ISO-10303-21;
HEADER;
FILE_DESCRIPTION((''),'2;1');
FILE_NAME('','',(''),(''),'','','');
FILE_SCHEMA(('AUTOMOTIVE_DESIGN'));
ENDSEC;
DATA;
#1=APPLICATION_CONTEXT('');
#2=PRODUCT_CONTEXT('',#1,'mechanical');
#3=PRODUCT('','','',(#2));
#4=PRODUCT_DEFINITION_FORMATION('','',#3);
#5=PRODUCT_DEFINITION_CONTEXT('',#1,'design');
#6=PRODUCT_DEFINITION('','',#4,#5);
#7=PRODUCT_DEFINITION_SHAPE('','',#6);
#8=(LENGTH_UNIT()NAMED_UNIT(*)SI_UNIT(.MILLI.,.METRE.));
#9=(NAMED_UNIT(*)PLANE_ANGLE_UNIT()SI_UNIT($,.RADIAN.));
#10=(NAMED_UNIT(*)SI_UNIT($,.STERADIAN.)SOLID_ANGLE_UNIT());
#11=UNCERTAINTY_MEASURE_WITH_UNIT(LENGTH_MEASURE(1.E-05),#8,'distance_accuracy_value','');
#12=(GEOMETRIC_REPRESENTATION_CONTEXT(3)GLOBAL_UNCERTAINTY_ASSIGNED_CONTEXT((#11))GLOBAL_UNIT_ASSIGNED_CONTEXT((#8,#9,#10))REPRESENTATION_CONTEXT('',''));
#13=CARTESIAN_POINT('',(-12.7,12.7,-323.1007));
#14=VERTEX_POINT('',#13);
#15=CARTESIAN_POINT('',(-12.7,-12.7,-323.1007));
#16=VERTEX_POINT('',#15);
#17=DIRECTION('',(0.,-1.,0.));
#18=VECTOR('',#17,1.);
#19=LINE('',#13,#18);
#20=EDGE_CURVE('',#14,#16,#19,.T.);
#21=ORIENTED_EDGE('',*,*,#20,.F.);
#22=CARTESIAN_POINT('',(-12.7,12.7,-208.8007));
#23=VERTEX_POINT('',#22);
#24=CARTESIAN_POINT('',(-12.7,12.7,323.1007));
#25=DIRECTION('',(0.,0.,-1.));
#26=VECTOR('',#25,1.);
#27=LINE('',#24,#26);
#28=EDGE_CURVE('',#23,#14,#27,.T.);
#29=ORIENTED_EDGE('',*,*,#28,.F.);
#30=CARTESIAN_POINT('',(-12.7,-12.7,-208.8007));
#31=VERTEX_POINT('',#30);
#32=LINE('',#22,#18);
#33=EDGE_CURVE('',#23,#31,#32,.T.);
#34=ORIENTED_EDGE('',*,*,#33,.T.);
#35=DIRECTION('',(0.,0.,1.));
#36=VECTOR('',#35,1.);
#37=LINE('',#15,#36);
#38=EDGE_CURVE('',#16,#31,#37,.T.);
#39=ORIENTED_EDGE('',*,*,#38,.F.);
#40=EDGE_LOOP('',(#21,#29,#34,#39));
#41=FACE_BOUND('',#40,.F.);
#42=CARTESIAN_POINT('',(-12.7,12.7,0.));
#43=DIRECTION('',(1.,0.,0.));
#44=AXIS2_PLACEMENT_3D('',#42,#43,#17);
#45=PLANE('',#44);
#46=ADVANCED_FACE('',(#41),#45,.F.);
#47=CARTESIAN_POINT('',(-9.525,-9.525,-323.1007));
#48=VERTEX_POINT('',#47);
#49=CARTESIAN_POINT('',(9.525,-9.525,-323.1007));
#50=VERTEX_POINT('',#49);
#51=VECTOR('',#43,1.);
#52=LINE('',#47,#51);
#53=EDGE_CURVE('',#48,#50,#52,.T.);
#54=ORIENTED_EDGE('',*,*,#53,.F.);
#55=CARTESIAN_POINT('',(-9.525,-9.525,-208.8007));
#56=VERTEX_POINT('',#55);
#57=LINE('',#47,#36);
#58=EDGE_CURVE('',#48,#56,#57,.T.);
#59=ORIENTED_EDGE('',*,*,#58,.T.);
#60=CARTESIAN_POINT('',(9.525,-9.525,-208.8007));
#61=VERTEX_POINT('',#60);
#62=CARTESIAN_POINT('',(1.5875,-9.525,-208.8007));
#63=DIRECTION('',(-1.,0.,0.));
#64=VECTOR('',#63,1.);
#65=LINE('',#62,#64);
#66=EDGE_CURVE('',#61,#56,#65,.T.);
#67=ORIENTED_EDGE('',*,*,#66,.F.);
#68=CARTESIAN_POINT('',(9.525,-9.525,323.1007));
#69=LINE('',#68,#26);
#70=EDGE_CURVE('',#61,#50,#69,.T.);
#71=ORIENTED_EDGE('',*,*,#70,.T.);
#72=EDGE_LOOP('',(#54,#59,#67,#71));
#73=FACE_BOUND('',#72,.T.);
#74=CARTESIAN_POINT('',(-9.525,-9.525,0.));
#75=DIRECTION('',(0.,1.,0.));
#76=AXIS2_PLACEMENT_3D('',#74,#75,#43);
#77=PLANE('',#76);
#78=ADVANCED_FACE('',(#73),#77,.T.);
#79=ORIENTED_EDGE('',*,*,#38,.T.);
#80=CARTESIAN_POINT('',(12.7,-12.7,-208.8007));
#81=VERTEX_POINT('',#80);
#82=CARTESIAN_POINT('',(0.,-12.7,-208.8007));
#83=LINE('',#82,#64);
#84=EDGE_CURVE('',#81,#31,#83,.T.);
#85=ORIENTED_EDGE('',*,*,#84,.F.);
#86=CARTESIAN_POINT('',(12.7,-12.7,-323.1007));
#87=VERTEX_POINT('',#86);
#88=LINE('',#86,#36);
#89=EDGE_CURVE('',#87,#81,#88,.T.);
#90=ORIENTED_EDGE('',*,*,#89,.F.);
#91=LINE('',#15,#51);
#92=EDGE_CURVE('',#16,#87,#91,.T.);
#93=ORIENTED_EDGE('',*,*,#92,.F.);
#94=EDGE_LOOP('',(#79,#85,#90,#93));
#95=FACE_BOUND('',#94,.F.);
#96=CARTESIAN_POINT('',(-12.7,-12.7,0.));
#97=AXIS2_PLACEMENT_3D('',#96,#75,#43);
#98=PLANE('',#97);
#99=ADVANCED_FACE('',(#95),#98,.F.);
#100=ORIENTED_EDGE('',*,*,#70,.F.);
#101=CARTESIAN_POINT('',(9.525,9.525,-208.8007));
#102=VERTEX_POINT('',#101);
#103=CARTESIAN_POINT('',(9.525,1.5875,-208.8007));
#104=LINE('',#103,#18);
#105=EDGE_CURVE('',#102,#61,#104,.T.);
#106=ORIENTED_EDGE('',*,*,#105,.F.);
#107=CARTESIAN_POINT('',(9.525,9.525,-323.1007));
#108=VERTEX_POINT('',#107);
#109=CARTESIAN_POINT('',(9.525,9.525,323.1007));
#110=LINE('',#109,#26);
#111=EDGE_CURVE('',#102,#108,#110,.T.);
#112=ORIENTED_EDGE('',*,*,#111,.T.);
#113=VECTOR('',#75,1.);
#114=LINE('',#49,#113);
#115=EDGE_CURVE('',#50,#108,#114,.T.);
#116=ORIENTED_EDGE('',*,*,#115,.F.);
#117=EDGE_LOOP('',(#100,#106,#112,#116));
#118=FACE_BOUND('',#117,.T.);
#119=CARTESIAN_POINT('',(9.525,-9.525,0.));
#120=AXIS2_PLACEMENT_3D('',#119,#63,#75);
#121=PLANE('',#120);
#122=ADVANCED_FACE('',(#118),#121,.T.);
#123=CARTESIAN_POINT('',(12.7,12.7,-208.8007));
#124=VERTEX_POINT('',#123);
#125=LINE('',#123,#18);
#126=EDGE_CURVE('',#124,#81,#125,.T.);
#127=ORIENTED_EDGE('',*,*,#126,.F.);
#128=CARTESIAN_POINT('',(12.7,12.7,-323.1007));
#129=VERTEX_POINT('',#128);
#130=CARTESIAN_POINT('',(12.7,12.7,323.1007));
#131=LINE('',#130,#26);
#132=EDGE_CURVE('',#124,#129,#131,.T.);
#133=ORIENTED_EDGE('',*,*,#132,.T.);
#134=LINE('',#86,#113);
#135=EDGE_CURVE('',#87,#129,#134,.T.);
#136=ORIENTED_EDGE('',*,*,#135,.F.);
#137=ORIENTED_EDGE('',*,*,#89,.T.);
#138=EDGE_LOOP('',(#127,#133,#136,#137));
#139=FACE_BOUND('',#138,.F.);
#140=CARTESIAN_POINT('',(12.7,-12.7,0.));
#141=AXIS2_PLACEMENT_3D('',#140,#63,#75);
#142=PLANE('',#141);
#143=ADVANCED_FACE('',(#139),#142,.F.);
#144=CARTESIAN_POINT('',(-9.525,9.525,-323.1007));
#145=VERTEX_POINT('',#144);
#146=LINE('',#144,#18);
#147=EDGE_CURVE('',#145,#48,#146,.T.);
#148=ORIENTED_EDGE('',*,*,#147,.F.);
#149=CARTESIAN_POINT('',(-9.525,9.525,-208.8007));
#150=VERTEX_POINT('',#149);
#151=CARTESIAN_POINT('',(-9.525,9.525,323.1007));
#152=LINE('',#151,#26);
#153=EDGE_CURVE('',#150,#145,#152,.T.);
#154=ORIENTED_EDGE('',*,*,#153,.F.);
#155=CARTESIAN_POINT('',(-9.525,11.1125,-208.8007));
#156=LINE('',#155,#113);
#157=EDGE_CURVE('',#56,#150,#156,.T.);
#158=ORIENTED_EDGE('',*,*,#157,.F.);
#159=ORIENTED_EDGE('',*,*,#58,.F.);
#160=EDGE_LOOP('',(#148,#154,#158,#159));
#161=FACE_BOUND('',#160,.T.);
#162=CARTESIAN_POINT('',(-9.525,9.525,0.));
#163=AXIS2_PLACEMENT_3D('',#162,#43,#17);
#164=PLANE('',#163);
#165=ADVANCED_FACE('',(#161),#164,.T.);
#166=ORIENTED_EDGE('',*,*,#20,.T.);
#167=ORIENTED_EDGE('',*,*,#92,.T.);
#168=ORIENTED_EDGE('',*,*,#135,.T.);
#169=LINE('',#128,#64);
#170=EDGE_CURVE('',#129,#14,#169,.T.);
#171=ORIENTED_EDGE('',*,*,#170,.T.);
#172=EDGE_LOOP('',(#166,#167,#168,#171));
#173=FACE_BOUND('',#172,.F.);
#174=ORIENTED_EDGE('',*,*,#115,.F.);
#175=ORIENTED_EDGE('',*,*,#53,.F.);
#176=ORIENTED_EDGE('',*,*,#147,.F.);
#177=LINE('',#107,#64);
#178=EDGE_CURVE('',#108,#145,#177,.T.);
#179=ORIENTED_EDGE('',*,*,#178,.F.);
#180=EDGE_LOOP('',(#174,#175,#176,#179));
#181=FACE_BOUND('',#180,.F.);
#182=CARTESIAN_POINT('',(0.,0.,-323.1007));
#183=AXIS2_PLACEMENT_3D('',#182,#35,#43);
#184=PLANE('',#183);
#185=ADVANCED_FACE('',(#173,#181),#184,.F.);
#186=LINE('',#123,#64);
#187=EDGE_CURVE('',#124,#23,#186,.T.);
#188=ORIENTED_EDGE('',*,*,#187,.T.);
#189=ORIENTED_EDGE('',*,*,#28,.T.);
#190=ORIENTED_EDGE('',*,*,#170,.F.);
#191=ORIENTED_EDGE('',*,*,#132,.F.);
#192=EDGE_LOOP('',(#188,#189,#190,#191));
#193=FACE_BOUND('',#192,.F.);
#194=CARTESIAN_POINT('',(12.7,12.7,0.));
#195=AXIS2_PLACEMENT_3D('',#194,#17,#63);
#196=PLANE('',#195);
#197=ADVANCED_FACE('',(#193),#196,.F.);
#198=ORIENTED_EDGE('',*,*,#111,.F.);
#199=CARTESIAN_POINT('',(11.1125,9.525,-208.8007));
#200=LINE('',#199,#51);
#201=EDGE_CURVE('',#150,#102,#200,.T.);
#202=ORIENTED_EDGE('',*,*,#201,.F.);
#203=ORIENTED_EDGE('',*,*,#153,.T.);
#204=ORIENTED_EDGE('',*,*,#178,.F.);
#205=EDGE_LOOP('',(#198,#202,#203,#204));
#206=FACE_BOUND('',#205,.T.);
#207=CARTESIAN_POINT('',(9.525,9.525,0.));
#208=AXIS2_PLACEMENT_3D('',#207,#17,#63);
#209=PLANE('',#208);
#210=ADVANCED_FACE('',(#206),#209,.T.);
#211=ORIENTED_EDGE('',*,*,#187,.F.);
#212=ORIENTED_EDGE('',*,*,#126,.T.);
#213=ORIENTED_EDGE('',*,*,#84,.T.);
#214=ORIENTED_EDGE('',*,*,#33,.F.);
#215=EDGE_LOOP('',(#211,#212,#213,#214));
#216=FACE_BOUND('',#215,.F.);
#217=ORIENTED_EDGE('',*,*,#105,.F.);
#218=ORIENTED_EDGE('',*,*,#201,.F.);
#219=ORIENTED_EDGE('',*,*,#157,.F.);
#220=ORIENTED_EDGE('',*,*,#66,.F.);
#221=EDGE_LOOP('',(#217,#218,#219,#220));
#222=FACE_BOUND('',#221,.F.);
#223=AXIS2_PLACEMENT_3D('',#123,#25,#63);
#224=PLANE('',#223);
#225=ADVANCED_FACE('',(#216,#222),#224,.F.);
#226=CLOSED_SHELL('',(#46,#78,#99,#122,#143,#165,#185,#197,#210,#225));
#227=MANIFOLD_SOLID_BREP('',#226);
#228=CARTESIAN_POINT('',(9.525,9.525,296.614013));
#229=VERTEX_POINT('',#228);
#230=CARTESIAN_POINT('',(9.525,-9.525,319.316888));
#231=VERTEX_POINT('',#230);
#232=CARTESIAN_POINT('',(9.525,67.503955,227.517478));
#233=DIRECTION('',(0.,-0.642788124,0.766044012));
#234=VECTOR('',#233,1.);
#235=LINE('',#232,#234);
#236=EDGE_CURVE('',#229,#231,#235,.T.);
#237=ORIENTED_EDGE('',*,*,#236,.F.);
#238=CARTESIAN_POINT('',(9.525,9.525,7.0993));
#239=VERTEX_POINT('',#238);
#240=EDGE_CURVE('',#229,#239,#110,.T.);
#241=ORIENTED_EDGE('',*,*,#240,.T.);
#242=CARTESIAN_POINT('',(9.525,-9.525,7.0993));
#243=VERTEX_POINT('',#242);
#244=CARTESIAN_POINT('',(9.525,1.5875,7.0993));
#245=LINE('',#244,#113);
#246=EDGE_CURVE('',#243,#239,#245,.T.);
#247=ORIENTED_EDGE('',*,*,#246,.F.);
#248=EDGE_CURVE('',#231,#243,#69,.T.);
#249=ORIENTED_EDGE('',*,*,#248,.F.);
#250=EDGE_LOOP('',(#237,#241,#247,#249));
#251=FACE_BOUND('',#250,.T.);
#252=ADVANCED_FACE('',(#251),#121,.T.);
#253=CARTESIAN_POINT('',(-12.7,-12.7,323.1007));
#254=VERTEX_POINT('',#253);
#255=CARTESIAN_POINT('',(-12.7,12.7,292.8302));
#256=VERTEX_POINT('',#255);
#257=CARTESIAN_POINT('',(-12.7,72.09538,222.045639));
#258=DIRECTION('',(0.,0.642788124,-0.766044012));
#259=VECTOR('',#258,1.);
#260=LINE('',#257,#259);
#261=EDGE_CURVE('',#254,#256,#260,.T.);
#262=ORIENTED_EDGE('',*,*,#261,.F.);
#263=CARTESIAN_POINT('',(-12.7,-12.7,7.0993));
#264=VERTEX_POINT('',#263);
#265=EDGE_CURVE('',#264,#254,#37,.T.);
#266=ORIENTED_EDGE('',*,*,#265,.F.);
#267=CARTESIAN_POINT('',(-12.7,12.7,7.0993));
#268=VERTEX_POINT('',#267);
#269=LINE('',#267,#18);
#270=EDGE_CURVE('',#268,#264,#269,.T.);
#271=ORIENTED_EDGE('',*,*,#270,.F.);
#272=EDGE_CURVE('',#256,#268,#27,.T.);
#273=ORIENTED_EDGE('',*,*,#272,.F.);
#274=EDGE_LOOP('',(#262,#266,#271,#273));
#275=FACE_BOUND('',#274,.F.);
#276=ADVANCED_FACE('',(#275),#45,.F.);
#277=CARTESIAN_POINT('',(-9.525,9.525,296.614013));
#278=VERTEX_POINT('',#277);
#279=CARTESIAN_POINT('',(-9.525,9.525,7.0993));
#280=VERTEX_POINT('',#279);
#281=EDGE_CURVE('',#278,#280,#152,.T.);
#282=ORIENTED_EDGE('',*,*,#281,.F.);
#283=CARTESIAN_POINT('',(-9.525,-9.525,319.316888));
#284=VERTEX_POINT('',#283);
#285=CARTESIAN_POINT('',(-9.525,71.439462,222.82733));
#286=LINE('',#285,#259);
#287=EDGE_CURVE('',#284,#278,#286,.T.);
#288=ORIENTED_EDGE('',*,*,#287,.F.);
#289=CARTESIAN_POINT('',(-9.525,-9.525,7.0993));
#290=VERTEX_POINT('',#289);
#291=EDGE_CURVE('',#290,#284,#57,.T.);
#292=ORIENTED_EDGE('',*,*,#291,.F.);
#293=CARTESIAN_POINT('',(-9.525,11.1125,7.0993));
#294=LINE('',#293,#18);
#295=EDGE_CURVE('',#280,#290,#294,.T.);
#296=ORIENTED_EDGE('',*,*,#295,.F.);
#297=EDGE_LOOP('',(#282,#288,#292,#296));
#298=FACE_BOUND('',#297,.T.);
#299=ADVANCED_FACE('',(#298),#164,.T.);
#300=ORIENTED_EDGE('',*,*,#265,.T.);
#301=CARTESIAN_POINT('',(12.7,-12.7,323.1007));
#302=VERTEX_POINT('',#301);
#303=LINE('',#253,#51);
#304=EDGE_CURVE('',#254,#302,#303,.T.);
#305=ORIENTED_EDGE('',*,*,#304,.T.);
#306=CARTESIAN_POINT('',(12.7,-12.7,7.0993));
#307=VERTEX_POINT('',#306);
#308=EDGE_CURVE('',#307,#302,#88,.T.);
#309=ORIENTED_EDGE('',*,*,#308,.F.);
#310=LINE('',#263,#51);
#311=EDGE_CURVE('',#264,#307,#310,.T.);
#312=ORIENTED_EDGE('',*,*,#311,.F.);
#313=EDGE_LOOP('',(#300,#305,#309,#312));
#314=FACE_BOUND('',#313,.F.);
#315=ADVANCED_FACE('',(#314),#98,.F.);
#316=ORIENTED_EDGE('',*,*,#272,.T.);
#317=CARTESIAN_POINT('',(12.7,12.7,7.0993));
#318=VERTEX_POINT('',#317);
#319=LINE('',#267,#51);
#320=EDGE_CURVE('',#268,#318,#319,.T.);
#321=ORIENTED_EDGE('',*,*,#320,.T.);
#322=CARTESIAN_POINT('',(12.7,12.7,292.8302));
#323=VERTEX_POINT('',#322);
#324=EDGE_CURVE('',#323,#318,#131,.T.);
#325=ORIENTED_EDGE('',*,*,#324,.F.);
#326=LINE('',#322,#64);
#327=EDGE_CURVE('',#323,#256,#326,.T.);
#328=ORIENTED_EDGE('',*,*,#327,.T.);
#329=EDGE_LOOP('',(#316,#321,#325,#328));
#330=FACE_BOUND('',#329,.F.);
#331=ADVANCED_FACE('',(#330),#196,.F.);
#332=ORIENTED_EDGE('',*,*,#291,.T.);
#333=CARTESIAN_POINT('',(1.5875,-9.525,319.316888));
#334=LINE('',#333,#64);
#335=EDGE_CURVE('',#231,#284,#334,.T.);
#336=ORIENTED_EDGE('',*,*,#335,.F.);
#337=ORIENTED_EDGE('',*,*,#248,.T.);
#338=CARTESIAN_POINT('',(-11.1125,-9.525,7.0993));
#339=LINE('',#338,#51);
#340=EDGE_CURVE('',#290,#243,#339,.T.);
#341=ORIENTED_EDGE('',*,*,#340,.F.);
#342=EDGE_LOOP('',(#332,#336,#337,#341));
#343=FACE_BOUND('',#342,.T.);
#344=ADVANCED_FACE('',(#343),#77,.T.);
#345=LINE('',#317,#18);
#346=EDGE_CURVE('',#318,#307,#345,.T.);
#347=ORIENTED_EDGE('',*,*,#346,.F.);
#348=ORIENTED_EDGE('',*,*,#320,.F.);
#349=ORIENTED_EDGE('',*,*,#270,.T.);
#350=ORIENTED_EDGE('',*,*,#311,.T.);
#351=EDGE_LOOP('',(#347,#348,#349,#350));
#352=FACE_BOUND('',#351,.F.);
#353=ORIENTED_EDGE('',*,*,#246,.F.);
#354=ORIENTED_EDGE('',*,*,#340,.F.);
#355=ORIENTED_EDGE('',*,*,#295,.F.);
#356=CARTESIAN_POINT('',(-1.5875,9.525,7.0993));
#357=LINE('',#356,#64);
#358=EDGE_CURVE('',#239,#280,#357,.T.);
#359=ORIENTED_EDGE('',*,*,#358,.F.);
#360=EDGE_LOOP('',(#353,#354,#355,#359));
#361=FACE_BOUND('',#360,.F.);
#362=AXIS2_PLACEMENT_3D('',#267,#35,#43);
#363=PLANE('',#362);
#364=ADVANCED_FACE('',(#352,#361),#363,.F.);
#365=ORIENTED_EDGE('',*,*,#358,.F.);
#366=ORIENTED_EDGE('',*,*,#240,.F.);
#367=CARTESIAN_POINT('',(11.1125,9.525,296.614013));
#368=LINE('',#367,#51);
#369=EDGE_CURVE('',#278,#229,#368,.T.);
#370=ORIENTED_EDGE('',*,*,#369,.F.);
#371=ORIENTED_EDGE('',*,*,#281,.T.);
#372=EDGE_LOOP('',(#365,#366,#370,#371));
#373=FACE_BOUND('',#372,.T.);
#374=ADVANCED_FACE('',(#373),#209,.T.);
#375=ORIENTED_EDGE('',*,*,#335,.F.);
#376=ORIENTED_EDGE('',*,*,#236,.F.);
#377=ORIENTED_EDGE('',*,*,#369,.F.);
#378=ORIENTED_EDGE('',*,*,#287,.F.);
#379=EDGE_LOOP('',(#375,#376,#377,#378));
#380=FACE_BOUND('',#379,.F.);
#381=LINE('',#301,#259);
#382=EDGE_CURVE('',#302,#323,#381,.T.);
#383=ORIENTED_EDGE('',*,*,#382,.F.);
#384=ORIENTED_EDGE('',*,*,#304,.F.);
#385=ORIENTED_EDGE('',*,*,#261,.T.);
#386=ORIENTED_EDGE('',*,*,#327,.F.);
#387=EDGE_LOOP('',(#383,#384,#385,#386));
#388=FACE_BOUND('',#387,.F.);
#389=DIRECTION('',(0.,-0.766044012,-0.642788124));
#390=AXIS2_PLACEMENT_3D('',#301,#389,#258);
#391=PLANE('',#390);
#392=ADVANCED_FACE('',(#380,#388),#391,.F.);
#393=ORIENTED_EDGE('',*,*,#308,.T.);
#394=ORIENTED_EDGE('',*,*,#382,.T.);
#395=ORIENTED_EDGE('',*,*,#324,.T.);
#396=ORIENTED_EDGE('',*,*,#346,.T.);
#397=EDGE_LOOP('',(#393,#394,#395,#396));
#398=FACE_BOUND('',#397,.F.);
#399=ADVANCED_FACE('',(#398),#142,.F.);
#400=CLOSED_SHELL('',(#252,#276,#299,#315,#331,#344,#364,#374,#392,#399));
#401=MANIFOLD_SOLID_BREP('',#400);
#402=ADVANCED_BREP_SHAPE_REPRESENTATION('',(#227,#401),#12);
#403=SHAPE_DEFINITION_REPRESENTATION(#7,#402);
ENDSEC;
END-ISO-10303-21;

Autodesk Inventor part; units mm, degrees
ref_plane "YZ Plane" through (0, 0, 0) normal (1, 0, 0) x (0, 1, 0)
ref_plane "XZ Plane" through (0, 0, 0) normal (0, 1, 0) x (-1, 0, 0)
ref_plane "XY Plane" through (0, 0, 0) normal (0, 0, 1) x (1, 0, 0)
sketch "Sketch1" plane through (0, 0, 0) normal (0, 0, 1) x (1, 0, 0)
  line L0 (-12.7, -12.7) -> (12.7, -12.7)
  line L1 (12.7, -12.7) -> (12.7, 12.7)
  line L2 (12.7, 12.7) -> (-12.7, 12.7)
  line L3 (-12.7, 12.7) -> (-12.7, -12.7)
  line L4 (-12.7, -12.7) -> (12.7, 12.7) construction
  line L5 (12.7, -12.7) -> (-12.7, 12.7) construction
  line L6 (-9.525, -9.525) -> (9.525, -9.525)
  line L7 (9.525, -9.525) -> (9.525, 9.525)
  line L8 (9.525, 9.525) -> (-9.525, 9.525)
  line L9 (-9.525, 9.525) -> (-9.525, -9.525)
  line L10 (-9.525, -9.525) -> (9.525, 9.525) construction
  line L11 (9.525, -9.525) -> (-9.525, 9.525) construction
  point P0 (0, 0)
  dimension "d0" = 25.4
  dimension "d1" = 25.4
  dimension "d2" = 3.175
extrude "Extrusion1" add sketch "Sketch1" along normal mid plane 646.2014
sketch "Sketch3" plane through (12.7, -12.7, 323.1007) normal (1, 0, 0) x (0, 0, -1)
  line L0 (646.2014, 0) -> (0, 0) projected
  line L1 (0, 0) -> (30.2705, 25.4)
  line L2 (0, 25.4) -> (646.2014, 25.4) projected
  line L3 (30.2705, 25.4) -> (0, 25.4)
  line L4 (0, 25.4) -> (0, 0) projected
  line L5 (0, 25.4) -> (0, 0)
  point P0 (323.1007, 12.7)
  dimension "d6" = 40
extrude "Extrusion2" cut sketch "Sketch3" against normal through all
sketch "Sketch4" plane through (-12.7, 12.7, -323.1007) normal (0, 1, 0) x (1, 0, 0)
  line L0 (0, -330.2) -> (25.4, -330.2) projected
  line L1 (25.4, -114.3) -> (0, -114.3) projected
  line L2 (25.4, -330.2) -> (0, -330.2)
  line L3 (0, -330.2) -> (0, -114.3)
  line L4 (0, -114.3) -> (25.4, -114.3)
  line L5 (25.4, -114.3) -> (25.4, -330.2)
  point P0 (12.7, -323.1007)
extrude "Extrusion3" cut sketch "Sketch4" against normal through all
properties part number "Aluminum1x1Base" material "Aluminum 6061"
